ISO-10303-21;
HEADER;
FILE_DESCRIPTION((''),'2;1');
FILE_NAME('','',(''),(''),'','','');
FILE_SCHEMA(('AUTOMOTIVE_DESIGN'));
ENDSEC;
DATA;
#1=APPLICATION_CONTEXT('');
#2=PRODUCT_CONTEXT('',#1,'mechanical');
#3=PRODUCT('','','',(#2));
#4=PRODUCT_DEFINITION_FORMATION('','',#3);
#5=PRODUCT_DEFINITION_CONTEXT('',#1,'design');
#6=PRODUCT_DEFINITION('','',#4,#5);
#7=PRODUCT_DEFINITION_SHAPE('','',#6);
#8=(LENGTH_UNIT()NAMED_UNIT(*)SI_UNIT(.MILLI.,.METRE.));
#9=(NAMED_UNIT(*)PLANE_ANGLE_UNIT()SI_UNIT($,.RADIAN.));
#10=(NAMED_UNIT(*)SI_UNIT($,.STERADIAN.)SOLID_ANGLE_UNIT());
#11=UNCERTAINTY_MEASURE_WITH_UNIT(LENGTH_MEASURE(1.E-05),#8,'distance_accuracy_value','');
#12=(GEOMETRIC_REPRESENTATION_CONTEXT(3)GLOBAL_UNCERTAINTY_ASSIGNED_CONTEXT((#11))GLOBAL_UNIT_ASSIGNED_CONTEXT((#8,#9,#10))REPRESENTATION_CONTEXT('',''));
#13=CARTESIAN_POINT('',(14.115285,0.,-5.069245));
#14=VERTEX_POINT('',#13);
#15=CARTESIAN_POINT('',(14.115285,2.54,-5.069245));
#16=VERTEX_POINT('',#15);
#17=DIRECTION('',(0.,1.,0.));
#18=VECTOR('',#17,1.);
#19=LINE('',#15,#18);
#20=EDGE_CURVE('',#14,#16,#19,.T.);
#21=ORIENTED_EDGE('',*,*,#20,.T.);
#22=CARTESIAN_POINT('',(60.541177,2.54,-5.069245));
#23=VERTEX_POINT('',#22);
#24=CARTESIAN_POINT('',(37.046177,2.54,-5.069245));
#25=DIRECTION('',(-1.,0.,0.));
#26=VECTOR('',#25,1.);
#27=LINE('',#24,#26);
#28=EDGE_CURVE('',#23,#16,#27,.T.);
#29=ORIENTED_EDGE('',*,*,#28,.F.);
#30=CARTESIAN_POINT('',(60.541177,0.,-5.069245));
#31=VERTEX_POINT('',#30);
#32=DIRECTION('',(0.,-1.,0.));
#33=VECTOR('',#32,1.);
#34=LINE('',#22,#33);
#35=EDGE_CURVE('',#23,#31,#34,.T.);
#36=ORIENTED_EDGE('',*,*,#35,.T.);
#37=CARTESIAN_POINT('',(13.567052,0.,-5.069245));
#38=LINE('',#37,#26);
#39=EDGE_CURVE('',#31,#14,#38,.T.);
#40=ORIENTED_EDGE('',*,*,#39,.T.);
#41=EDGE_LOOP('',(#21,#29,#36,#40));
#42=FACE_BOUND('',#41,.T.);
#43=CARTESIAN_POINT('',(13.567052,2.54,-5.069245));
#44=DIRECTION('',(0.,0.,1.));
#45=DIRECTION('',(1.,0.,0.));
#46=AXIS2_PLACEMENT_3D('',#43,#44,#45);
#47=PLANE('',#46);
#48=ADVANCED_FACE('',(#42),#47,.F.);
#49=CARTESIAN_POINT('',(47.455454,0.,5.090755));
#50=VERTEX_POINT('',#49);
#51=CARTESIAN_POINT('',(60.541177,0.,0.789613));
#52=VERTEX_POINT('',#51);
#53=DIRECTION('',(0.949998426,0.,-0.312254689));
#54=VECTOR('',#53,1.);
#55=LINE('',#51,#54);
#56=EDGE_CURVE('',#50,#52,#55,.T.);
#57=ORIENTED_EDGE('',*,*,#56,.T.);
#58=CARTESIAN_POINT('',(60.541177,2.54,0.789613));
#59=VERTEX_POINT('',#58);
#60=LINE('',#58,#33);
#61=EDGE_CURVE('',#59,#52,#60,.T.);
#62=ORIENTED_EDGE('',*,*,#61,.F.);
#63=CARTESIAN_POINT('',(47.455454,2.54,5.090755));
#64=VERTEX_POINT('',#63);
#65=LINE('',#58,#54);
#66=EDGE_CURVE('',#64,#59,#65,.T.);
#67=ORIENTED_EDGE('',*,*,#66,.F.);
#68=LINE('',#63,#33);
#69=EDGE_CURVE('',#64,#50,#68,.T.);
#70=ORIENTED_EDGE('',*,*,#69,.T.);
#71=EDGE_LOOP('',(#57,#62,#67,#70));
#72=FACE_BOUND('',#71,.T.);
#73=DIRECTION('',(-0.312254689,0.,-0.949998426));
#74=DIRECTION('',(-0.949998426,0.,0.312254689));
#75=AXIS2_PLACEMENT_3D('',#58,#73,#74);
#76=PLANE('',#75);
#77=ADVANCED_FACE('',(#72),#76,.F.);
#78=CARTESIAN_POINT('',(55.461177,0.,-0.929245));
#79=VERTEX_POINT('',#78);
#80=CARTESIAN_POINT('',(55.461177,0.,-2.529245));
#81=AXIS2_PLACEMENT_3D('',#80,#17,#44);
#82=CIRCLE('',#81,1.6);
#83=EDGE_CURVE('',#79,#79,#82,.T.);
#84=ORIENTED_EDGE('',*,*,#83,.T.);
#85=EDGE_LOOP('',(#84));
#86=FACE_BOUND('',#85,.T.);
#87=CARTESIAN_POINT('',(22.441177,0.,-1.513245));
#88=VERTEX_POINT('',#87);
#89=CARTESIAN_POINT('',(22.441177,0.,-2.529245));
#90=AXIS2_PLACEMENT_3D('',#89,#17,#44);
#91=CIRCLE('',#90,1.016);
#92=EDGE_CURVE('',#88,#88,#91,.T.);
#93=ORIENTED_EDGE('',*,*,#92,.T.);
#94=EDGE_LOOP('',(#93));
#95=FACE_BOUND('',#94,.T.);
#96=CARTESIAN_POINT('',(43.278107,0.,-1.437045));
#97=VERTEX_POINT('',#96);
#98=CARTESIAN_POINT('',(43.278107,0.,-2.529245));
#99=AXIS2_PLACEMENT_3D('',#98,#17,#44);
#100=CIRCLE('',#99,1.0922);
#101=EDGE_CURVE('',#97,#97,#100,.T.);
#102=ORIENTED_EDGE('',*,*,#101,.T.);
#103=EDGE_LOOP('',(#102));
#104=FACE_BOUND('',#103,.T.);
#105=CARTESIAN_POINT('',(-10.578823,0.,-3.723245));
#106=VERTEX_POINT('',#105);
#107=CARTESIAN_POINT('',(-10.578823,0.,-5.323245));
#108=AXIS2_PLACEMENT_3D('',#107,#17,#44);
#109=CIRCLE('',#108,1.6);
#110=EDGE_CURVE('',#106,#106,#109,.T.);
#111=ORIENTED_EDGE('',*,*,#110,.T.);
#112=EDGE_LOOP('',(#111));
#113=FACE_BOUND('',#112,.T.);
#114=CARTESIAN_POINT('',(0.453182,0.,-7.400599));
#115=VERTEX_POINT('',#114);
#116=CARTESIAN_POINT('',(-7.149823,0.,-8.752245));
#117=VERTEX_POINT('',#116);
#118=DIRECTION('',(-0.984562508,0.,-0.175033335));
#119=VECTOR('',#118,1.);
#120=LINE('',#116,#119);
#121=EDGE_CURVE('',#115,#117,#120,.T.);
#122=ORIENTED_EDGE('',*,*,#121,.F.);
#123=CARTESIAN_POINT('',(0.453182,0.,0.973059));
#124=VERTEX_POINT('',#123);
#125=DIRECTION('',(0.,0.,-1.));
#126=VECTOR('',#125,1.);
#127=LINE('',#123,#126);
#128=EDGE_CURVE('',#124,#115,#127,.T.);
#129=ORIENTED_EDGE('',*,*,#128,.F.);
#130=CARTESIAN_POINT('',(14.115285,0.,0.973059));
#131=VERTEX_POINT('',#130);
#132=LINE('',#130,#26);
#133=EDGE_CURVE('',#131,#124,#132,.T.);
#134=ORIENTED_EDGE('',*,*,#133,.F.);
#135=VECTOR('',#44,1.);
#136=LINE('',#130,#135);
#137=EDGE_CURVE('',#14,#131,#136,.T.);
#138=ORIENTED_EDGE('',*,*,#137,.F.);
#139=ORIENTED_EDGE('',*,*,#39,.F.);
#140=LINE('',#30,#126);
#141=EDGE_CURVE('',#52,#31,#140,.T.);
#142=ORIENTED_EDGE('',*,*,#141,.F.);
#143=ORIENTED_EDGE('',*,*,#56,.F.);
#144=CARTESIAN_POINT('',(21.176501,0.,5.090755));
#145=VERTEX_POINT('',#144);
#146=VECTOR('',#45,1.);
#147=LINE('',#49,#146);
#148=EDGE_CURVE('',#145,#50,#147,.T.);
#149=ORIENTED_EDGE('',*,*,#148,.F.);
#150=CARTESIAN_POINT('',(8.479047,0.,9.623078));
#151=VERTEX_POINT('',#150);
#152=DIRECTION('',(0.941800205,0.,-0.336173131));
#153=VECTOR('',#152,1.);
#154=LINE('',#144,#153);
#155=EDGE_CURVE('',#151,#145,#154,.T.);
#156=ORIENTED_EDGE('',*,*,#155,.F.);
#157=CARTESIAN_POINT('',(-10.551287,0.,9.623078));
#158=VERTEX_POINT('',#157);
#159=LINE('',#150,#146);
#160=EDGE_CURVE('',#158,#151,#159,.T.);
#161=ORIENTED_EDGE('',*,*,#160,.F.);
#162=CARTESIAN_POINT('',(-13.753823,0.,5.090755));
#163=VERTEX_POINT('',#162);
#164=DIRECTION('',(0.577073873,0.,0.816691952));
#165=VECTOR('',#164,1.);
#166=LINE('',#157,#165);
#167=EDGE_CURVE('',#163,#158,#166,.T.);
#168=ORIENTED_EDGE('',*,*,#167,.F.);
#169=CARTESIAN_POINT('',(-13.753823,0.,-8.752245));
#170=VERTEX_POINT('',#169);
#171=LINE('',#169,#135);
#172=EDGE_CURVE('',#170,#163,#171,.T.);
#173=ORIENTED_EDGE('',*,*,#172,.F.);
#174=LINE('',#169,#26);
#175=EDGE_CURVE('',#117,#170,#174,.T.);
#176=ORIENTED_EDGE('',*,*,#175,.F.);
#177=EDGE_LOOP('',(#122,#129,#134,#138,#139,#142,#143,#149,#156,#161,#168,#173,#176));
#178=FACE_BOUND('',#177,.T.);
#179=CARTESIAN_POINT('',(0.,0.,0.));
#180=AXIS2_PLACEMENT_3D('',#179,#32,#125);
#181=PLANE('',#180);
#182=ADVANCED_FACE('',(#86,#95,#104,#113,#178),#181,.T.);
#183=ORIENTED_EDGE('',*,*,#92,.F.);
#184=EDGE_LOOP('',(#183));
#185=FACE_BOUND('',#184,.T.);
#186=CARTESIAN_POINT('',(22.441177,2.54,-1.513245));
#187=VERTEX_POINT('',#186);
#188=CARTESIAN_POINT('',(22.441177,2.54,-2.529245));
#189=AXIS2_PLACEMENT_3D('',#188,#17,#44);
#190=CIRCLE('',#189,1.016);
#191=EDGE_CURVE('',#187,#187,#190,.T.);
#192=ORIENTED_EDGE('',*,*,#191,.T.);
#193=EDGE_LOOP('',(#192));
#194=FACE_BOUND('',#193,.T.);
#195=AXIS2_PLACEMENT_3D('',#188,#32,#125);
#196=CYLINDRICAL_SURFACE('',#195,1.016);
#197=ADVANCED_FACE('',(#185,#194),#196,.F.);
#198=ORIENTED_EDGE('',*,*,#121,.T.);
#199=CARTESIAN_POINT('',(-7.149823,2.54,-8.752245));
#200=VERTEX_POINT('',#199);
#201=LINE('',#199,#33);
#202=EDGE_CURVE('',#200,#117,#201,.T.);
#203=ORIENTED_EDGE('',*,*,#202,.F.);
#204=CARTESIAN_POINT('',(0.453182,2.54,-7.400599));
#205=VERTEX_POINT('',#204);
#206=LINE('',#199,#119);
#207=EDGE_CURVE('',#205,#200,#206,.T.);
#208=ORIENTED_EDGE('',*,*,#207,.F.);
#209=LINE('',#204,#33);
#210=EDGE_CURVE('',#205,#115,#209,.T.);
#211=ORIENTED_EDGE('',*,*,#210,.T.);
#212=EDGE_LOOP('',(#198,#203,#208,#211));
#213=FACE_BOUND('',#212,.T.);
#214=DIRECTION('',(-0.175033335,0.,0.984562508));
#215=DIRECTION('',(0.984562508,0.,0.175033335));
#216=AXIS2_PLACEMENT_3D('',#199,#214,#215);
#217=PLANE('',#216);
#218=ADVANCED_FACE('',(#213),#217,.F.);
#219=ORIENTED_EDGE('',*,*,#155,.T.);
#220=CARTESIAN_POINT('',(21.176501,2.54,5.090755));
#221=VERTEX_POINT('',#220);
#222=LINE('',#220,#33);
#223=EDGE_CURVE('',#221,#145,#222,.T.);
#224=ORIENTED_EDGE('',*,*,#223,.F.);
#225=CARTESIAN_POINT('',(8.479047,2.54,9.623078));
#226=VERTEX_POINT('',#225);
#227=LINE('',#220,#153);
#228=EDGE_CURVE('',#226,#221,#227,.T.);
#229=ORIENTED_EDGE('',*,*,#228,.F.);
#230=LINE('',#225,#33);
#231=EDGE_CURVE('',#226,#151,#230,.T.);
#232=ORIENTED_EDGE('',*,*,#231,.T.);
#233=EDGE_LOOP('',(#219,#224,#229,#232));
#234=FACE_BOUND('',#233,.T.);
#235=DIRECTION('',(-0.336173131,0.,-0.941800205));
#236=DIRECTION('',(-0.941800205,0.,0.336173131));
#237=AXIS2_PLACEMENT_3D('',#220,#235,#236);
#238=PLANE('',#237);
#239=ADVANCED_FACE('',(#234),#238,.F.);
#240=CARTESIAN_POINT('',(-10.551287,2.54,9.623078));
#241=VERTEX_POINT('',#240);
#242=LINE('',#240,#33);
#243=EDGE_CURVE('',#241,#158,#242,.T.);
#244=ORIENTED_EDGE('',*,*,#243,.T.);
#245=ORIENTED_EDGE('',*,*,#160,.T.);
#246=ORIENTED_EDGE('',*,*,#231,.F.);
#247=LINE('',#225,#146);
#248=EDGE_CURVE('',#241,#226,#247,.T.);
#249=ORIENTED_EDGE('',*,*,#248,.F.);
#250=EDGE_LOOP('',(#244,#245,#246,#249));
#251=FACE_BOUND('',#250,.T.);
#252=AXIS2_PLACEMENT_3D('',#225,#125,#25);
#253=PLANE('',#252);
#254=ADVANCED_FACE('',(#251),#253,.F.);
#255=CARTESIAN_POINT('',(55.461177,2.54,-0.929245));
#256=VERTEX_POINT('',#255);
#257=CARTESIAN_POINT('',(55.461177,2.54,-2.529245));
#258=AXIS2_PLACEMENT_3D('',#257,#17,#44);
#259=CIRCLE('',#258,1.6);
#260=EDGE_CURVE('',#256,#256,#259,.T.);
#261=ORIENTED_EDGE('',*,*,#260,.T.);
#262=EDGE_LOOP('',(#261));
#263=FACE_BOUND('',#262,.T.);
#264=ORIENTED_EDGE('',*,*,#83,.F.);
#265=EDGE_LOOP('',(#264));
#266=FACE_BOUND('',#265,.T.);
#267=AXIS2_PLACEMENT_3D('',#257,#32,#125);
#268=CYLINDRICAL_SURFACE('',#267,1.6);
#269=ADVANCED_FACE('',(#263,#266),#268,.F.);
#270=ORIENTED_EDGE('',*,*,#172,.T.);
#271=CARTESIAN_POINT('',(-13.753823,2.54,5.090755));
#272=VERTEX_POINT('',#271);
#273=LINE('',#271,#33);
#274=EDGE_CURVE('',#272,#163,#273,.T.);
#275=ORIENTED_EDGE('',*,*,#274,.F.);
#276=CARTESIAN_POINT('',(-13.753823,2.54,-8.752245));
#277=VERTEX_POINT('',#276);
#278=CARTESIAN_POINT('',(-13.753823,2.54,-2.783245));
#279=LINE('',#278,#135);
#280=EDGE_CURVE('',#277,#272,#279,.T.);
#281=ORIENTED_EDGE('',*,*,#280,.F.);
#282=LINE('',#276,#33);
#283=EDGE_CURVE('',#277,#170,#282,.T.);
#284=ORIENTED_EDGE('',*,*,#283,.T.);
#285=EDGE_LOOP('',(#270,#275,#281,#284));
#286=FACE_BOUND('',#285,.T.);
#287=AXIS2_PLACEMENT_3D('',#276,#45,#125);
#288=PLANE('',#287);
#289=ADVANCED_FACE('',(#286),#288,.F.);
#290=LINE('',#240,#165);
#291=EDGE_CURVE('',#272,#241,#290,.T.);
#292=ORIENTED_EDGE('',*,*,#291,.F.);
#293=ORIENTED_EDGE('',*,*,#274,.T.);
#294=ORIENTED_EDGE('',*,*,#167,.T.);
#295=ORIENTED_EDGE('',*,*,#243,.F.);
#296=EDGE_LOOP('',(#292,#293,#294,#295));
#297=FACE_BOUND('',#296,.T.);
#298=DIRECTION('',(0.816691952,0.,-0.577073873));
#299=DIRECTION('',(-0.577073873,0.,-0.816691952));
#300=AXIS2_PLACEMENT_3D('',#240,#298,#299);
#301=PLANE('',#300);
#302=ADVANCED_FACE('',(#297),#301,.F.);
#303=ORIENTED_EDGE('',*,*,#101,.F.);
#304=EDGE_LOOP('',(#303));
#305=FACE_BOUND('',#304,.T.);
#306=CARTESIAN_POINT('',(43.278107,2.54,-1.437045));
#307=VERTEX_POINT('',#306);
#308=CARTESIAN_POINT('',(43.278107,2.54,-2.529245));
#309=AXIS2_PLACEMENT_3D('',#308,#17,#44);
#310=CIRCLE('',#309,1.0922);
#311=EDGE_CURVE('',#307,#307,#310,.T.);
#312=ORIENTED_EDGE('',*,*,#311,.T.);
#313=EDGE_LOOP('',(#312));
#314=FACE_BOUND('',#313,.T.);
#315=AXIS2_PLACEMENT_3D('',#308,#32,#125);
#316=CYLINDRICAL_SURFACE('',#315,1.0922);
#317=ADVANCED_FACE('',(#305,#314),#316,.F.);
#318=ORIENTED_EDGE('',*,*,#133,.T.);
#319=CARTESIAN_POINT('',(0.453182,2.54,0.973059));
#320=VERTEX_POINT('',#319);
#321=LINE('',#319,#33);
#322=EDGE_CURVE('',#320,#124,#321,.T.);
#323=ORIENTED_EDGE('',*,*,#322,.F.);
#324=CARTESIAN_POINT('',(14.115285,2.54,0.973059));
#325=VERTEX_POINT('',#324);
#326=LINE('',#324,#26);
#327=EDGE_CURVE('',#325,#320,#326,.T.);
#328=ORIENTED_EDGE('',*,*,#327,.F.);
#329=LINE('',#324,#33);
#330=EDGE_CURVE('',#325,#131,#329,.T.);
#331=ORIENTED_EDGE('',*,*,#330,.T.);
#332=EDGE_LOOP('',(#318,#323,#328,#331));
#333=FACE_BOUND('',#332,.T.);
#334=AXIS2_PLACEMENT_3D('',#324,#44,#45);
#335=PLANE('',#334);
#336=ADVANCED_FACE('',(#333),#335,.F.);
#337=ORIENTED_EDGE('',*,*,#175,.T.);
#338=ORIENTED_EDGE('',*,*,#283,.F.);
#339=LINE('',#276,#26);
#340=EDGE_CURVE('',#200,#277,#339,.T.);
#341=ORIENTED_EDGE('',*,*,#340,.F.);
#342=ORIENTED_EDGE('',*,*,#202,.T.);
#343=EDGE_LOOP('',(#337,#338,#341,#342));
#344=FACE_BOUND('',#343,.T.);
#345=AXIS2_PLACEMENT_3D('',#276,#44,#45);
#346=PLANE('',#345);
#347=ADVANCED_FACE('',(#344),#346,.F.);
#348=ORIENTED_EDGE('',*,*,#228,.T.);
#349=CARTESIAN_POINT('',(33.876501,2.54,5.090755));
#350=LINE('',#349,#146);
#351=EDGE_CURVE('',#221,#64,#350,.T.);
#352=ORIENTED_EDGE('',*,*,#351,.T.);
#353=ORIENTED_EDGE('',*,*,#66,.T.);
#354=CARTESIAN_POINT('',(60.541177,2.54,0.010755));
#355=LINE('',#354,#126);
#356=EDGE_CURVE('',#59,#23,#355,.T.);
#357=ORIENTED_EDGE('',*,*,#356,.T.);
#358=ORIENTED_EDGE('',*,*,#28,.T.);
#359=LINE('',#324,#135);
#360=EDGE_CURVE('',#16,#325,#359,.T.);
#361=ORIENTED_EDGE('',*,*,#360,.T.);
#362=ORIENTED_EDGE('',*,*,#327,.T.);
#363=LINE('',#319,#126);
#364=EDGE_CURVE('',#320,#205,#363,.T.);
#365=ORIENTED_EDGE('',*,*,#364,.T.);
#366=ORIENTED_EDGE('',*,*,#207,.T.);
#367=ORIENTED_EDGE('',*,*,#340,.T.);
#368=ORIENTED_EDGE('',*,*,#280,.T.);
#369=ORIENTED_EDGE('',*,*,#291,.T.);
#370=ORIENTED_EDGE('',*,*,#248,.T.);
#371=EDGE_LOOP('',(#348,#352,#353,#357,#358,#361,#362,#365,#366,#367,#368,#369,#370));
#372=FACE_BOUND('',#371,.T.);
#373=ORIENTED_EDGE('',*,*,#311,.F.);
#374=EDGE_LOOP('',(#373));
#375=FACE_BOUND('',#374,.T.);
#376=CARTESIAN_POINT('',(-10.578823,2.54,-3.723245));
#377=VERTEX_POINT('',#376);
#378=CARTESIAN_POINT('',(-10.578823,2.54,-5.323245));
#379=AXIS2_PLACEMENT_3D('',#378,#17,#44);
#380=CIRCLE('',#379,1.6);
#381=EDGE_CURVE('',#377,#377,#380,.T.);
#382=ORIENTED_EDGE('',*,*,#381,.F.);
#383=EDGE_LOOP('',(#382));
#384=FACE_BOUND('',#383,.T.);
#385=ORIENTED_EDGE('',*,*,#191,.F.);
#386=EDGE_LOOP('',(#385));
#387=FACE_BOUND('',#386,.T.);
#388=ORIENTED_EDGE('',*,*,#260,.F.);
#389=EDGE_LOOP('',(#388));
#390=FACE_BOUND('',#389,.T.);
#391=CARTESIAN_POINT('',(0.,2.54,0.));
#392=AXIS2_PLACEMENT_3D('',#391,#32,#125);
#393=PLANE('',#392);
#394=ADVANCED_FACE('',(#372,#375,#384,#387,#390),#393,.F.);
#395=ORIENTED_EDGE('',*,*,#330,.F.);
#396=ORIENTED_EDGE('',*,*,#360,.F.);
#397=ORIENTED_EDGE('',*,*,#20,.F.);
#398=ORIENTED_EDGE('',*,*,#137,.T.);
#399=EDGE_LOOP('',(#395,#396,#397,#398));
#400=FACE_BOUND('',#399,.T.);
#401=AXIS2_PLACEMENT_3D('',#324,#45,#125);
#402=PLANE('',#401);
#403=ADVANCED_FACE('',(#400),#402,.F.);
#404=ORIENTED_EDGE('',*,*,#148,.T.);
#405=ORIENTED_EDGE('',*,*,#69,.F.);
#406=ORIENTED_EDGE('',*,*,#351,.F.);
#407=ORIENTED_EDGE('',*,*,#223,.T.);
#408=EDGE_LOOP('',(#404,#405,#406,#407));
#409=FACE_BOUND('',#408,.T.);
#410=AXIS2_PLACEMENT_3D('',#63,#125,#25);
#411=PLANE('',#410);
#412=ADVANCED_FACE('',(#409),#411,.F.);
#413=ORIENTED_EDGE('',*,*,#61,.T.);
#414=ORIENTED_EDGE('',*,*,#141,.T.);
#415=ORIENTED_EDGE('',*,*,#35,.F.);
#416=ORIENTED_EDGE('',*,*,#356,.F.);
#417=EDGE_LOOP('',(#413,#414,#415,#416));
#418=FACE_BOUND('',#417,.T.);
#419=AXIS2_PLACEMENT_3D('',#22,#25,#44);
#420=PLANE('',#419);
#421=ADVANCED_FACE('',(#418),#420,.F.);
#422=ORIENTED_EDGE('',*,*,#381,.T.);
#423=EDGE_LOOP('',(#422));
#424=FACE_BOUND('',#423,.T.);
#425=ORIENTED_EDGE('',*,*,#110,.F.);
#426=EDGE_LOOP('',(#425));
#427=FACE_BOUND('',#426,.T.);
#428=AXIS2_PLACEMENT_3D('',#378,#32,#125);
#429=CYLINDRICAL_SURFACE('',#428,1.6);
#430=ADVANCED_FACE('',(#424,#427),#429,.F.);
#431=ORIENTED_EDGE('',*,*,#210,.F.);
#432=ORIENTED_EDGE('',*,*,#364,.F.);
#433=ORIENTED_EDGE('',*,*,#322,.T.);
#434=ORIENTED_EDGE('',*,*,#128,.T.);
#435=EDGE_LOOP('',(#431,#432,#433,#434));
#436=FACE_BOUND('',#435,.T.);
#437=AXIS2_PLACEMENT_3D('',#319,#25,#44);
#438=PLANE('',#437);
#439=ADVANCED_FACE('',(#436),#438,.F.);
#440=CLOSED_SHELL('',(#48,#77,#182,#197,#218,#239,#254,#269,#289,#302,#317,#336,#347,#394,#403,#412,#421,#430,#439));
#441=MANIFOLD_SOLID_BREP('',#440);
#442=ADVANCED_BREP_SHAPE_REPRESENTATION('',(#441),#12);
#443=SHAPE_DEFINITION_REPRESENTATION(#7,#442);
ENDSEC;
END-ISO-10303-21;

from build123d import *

# Parameters (mm, degrees)
SKETCH1_R           = 1.016
SKETCH1_R_2         = 1.600000102
SKETCH1_R_3         = 1.0922
BOSS_EXTRUDE1_DEPTH = 2.54
SKETCH2_W           = 13.66210268
SKETCH2_H           = 9.772536081
CUT_EXTRUDE1_DEPTH  = 2.54


with BuildPart() as part:
    # Sketch1 → Boss-Extrude1 (new body)
    with BuildSketch(Plane(origin=(0, 0, 0), x_dir=(1, 0, 0), z_dir=(0, 1, 0))):
        Polygon((-13.753823011, 8.752244808), (-13.753823011, 2.783244808), (-13.753823011, -5.090755192), (-10.551287224, -9.623078218), (8.47904741, -9.623078218), (21.176501094, -5.090755192), (33.876501094, -5.090755192), (47.455454133, -5.090755192), (60.541176989, -0.789612996), (60.541176989, -0.010755192), (60.541176989, 5.069244808), (37.046176989, 5.069244808), (25.616176989, 5.069244808), (13.567051989, 5.069244808), (-7.149823011, 8.752244808), align=None)
        with Locations(Location((22.441176989, 2.529244808, 0), (0, 0, 270))):
            Circle(SKETCH1_R, mode=Mode.SUBTRACT)
        with Locations(Location((55.461176989, 2.529244808, 0), (0, 0, 270))):
            Circle(SKETCH1_R_2, mode=Mode.SUBTRACT)
        with Locations(Location((-10.578823011, 5.323244808, 0), (0, 0, 270))):
            Circle(SKETCH1_R_2, mode=Mode.SUBTRACT)
        with Locations(Location((43.278107208, 2.529244808, 0), (0, 0, 270))):
            Circle(SKETCH1_R_3, mode=Mode.SUBTRACT)
    extrude(amount=BOSS_EXTRUDE1_DEPTH)

    # Sketch2 → Cut-Extrude1 (cut)
    with BuildSketch(Plane.XZ):
        with Locations((7.284233537, -3.91320906)):
            Rectangle(SKETCH2_W, SKETCH2_H)
    extrude(amount=-CUT_EXTRUDE1_DEPTH, mode=Mode.SUBTRACT)


solid = part.part
